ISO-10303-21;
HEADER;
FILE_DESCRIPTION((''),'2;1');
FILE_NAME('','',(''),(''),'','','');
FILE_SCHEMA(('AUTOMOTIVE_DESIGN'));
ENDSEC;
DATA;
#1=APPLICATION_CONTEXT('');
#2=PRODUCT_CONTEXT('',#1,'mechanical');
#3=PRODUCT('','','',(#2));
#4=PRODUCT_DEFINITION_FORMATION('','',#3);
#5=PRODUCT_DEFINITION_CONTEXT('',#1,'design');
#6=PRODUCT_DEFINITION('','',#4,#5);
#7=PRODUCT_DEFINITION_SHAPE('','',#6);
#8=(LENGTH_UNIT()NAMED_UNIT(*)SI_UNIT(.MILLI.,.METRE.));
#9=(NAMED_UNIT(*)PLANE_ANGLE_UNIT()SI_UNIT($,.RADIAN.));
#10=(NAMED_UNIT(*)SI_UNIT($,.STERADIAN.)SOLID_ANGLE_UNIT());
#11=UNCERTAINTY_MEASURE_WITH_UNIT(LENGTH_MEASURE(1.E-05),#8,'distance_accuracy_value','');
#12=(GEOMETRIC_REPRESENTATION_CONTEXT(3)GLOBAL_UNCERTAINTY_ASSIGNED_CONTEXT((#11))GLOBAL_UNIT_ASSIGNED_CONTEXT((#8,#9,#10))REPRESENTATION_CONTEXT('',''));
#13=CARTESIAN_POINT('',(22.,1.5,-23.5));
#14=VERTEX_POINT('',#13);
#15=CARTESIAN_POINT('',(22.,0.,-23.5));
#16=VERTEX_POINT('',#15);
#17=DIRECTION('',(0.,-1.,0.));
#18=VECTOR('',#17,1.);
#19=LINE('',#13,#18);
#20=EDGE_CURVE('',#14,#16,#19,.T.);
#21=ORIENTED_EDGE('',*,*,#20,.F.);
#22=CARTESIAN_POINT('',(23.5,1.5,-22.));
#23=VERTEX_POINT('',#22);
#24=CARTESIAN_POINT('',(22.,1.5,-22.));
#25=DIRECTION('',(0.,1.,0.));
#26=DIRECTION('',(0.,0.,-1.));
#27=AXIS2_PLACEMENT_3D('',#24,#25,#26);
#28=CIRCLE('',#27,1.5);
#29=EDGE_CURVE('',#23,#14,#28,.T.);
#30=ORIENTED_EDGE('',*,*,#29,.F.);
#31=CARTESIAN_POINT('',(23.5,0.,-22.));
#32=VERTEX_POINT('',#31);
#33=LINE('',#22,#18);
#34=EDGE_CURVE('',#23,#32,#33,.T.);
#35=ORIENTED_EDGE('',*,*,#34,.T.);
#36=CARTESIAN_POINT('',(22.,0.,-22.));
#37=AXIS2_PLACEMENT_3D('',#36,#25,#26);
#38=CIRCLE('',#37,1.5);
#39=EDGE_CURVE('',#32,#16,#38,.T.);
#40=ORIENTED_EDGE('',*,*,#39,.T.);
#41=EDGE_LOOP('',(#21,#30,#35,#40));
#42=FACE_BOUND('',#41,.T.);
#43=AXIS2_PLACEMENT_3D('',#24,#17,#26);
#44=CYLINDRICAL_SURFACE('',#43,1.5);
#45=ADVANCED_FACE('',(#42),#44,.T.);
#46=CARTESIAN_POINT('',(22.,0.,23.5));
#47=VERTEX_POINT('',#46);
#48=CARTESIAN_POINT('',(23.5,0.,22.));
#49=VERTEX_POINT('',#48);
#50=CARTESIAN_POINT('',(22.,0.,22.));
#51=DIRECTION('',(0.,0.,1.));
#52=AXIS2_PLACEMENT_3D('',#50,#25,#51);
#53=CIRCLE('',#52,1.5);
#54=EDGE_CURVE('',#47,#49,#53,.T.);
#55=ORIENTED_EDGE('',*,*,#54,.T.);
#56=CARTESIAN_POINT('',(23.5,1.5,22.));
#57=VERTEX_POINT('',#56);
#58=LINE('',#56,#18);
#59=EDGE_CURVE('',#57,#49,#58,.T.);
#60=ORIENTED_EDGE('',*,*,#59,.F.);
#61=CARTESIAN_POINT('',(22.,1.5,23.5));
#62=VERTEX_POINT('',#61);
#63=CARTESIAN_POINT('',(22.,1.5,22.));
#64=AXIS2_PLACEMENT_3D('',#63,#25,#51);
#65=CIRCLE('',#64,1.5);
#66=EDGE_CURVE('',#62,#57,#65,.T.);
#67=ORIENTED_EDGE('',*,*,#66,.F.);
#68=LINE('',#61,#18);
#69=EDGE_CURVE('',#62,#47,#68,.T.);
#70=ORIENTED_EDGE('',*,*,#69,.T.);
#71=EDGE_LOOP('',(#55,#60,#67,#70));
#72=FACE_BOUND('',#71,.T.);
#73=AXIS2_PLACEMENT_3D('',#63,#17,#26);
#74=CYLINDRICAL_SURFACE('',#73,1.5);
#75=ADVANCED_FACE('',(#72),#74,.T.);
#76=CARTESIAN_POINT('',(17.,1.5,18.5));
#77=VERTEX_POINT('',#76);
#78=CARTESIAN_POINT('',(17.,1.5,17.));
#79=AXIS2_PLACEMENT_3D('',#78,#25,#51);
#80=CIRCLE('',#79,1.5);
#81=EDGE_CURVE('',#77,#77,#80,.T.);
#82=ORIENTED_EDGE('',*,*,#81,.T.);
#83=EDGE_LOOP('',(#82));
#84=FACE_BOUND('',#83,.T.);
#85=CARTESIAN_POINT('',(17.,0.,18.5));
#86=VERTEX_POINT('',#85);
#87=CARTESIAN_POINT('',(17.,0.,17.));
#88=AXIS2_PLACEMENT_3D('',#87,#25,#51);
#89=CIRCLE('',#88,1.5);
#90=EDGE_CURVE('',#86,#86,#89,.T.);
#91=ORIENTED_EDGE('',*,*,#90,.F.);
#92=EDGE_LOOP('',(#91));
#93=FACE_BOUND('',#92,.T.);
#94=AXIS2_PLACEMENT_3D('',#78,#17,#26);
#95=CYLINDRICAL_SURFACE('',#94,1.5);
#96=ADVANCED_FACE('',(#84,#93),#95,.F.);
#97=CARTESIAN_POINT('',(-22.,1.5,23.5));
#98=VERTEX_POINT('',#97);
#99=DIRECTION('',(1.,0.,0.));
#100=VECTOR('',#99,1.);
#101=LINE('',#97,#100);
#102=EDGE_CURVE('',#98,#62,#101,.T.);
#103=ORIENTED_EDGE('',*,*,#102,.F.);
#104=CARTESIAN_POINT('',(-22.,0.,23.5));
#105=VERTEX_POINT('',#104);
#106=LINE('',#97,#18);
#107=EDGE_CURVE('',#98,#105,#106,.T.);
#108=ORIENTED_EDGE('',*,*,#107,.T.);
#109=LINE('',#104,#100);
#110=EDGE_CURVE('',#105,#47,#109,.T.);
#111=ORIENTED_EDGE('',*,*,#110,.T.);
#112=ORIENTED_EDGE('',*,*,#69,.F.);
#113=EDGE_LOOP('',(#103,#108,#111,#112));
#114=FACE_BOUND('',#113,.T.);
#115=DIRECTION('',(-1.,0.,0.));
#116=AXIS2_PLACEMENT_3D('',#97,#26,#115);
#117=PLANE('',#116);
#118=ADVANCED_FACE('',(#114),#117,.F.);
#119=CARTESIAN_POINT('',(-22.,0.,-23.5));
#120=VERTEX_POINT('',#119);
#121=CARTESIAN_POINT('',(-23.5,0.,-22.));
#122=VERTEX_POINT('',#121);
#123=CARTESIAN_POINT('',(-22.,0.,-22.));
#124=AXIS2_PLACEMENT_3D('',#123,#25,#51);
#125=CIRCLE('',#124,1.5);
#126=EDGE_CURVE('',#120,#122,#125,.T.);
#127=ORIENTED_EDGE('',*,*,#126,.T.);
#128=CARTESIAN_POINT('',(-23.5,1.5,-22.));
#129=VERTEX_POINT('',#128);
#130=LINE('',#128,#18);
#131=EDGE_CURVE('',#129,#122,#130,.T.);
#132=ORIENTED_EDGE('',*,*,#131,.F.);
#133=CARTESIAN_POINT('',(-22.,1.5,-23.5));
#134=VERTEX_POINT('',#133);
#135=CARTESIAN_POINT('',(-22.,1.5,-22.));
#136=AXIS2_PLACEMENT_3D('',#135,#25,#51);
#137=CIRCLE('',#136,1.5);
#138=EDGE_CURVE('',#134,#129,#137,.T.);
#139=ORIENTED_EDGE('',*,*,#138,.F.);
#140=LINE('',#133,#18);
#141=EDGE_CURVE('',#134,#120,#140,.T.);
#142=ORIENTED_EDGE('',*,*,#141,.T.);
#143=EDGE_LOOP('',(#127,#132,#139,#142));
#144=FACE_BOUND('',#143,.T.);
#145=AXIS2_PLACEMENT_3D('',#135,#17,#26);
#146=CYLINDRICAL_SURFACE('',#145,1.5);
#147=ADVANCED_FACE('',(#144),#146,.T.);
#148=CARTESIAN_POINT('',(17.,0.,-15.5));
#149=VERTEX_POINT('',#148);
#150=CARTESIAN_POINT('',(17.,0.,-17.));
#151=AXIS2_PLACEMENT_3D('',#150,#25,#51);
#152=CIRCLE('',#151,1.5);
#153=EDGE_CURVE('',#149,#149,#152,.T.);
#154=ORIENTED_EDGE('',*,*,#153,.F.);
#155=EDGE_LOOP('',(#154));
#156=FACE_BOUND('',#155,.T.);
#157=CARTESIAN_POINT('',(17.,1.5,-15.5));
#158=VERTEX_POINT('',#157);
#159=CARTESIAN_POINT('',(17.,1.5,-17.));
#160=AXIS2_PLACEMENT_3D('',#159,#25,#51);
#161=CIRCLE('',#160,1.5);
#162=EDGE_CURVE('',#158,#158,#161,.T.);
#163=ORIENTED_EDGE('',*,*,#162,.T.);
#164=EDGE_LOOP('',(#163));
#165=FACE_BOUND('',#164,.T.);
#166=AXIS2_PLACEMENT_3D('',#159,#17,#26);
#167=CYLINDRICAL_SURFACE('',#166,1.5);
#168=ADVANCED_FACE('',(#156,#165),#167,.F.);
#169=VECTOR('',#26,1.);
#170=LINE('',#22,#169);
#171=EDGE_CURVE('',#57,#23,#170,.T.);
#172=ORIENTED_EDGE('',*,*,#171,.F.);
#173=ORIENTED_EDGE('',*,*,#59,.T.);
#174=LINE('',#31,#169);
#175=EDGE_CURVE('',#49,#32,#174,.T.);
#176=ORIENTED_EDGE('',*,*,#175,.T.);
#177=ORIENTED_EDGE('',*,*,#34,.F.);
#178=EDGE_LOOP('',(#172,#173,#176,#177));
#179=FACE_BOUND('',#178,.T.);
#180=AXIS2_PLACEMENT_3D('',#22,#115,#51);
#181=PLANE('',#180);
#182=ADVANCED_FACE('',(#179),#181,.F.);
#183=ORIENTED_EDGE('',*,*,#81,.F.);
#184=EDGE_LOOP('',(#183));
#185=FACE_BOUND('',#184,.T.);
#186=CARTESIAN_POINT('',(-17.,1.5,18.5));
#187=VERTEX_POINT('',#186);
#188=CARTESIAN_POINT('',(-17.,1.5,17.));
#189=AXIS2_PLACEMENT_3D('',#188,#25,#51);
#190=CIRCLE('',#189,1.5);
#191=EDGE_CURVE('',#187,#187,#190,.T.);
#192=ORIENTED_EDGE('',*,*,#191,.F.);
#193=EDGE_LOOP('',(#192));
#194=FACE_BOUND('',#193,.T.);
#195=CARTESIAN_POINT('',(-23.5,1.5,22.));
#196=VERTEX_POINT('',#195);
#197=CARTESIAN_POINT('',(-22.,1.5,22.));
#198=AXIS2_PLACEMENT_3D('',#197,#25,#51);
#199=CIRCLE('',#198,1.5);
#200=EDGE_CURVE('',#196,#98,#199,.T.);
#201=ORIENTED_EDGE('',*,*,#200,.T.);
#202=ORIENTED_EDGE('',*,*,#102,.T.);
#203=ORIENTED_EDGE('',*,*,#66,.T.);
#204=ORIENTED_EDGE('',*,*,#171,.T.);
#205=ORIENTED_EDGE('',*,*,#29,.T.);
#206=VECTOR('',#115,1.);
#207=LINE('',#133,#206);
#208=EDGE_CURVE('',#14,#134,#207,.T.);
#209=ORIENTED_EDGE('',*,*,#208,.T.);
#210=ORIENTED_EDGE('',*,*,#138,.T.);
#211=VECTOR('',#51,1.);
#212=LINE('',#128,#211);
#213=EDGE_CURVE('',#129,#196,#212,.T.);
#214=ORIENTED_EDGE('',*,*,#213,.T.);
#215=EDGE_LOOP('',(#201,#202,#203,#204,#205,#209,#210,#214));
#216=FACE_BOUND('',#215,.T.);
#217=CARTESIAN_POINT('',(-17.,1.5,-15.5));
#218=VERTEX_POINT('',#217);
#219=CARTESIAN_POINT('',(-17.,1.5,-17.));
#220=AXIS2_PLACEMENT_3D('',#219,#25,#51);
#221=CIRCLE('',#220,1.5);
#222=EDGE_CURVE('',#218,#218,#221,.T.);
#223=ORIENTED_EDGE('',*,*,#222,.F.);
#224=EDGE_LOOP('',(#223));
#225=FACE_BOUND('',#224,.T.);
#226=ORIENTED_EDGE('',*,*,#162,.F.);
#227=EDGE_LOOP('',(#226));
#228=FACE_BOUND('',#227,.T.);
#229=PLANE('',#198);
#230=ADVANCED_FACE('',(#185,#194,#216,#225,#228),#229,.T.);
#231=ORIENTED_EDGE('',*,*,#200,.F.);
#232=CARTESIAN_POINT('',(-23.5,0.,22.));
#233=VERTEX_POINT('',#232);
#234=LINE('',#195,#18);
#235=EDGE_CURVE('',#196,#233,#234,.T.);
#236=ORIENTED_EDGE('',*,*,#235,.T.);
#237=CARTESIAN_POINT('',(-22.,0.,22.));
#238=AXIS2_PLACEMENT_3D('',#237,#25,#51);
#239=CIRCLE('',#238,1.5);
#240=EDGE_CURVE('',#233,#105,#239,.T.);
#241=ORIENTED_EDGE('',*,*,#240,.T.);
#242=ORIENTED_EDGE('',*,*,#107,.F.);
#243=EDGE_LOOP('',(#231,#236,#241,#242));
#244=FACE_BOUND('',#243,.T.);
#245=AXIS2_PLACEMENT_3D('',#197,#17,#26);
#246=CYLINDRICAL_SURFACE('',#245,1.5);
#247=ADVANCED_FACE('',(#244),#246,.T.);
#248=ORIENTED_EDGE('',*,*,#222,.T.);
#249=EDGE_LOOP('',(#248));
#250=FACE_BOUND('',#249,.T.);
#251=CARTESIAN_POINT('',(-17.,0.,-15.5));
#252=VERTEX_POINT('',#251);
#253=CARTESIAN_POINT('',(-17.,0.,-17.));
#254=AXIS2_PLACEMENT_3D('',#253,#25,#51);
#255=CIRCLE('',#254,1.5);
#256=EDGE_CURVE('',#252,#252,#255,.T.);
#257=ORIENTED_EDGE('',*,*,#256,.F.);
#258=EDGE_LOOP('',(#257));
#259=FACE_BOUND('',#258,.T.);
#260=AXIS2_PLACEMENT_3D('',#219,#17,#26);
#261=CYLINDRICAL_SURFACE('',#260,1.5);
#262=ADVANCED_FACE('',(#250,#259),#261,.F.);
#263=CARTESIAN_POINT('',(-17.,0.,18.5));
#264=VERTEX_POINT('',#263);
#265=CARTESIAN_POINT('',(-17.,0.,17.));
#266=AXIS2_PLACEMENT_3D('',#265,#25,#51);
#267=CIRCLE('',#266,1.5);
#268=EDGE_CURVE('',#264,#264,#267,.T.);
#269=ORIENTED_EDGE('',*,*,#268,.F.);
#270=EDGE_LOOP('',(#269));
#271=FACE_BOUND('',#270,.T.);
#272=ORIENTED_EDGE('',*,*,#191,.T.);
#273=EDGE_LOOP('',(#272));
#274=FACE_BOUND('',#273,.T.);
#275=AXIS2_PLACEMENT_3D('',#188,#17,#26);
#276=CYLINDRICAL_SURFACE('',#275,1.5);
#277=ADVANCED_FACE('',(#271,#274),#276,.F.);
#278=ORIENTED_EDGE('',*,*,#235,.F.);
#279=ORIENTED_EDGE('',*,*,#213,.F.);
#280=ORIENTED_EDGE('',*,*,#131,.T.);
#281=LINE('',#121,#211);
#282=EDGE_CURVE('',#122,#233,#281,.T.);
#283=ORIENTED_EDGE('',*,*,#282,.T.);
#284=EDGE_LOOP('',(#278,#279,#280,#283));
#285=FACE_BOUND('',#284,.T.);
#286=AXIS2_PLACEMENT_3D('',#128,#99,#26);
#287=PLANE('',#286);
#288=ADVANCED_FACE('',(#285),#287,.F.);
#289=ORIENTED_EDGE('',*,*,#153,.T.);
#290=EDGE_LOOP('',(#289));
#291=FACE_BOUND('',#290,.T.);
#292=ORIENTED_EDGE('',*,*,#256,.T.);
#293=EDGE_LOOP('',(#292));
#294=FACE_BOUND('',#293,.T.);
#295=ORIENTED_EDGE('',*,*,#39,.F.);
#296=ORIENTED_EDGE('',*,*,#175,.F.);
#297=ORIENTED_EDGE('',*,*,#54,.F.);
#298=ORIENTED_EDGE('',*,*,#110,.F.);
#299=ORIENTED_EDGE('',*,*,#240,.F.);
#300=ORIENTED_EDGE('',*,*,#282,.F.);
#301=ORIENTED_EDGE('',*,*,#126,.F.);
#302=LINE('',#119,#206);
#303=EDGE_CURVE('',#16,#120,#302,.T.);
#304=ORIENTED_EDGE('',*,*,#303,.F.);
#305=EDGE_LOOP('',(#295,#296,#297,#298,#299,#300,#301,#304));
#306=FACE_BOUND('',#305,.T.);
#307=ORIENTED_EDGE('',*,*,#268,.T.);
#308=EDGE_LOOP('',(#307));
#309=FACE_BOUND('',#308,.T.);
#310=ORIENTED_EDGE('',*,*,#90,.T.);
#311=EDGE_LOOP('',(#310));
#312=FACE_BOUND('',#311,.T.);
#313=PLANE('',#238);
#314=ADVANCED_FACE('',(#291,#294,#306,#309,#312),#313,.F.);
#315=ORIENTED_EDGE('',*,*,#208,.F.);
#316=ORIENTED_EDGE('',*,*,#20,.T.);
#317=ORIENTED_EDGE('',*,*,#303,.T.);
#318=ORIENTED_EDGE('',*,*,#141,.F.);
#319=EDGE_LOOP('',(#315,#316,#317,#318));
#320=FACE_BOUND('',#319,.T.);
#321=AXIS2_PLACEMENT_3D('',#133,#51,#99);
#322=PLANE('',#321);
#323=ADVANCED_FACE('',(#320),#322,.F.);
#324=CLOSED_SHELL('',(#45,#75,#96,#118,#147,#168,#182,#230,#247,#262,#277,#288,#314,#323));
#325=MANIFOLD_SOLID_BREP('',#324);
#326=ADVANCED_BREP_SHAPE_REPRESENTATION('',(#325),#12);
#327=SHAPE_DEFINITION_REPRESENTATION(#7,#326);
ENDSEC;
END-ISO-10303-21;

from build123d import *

# Parameters (mm, degrees)
SKETCH_1_R      = 1.5
EXTRUDE_1_DEPTH = 1.5


with BuildPart() as part:
    # Эскиз1 → Бобышка-Вытянуть1 (new body)
    with BuildSketch(Plane(origin=(0, 0, 0), x_dir=(1, 0, 0), z_dir=(0, 1, 0))):
        with BuildLine():
            Line((-22, 23.5), (22, 23.5))
            ThreePointArc((22, 23.5), (23.060660172, 23.060660172), (23.5, 22))
            Line((23.5, 22), (23.5, -22))
            ThreePointArc((23.5, -22), (23.060660172, -23.060660172), (22, -23.5))
            Line((22, -23.5), (-22, -23.5))
            ThreePointArc((-22, -23.5), (-23.060660172, -23.060660172), (-23.5, -22))
            Line((-23.5, -22), (-23.5, 22))
            ThreePointArc((-23.5, 22), (-23.060660172, 23.060660172), (-22, 23.5))
        make_face()
        with Locations(Location((-17, 17, 0), (0, 0, 270))):
            Circle(SKETCH_1_R, mode=Mode.SUBTRACT)
        with Locations(Location((17, 17, 0), (0, 0, 270))):
            Circle(SKETCH_1_R, mode=Mode.SUBTRACT)
        with Locations(Location((17, -17, 0), (0, 0, 270))):
            Circle(SKETCH_1_R, mode=Mode.SUBTRACT)
        with Locations(Location((-17, -17, 0), (0, 0, 270))):
            Circle(SKETCH_1_R, mode=Mode.SUBTRACT)
    extrude(amount=EXTRUDE_1_DEPTH)


solid = part.part
